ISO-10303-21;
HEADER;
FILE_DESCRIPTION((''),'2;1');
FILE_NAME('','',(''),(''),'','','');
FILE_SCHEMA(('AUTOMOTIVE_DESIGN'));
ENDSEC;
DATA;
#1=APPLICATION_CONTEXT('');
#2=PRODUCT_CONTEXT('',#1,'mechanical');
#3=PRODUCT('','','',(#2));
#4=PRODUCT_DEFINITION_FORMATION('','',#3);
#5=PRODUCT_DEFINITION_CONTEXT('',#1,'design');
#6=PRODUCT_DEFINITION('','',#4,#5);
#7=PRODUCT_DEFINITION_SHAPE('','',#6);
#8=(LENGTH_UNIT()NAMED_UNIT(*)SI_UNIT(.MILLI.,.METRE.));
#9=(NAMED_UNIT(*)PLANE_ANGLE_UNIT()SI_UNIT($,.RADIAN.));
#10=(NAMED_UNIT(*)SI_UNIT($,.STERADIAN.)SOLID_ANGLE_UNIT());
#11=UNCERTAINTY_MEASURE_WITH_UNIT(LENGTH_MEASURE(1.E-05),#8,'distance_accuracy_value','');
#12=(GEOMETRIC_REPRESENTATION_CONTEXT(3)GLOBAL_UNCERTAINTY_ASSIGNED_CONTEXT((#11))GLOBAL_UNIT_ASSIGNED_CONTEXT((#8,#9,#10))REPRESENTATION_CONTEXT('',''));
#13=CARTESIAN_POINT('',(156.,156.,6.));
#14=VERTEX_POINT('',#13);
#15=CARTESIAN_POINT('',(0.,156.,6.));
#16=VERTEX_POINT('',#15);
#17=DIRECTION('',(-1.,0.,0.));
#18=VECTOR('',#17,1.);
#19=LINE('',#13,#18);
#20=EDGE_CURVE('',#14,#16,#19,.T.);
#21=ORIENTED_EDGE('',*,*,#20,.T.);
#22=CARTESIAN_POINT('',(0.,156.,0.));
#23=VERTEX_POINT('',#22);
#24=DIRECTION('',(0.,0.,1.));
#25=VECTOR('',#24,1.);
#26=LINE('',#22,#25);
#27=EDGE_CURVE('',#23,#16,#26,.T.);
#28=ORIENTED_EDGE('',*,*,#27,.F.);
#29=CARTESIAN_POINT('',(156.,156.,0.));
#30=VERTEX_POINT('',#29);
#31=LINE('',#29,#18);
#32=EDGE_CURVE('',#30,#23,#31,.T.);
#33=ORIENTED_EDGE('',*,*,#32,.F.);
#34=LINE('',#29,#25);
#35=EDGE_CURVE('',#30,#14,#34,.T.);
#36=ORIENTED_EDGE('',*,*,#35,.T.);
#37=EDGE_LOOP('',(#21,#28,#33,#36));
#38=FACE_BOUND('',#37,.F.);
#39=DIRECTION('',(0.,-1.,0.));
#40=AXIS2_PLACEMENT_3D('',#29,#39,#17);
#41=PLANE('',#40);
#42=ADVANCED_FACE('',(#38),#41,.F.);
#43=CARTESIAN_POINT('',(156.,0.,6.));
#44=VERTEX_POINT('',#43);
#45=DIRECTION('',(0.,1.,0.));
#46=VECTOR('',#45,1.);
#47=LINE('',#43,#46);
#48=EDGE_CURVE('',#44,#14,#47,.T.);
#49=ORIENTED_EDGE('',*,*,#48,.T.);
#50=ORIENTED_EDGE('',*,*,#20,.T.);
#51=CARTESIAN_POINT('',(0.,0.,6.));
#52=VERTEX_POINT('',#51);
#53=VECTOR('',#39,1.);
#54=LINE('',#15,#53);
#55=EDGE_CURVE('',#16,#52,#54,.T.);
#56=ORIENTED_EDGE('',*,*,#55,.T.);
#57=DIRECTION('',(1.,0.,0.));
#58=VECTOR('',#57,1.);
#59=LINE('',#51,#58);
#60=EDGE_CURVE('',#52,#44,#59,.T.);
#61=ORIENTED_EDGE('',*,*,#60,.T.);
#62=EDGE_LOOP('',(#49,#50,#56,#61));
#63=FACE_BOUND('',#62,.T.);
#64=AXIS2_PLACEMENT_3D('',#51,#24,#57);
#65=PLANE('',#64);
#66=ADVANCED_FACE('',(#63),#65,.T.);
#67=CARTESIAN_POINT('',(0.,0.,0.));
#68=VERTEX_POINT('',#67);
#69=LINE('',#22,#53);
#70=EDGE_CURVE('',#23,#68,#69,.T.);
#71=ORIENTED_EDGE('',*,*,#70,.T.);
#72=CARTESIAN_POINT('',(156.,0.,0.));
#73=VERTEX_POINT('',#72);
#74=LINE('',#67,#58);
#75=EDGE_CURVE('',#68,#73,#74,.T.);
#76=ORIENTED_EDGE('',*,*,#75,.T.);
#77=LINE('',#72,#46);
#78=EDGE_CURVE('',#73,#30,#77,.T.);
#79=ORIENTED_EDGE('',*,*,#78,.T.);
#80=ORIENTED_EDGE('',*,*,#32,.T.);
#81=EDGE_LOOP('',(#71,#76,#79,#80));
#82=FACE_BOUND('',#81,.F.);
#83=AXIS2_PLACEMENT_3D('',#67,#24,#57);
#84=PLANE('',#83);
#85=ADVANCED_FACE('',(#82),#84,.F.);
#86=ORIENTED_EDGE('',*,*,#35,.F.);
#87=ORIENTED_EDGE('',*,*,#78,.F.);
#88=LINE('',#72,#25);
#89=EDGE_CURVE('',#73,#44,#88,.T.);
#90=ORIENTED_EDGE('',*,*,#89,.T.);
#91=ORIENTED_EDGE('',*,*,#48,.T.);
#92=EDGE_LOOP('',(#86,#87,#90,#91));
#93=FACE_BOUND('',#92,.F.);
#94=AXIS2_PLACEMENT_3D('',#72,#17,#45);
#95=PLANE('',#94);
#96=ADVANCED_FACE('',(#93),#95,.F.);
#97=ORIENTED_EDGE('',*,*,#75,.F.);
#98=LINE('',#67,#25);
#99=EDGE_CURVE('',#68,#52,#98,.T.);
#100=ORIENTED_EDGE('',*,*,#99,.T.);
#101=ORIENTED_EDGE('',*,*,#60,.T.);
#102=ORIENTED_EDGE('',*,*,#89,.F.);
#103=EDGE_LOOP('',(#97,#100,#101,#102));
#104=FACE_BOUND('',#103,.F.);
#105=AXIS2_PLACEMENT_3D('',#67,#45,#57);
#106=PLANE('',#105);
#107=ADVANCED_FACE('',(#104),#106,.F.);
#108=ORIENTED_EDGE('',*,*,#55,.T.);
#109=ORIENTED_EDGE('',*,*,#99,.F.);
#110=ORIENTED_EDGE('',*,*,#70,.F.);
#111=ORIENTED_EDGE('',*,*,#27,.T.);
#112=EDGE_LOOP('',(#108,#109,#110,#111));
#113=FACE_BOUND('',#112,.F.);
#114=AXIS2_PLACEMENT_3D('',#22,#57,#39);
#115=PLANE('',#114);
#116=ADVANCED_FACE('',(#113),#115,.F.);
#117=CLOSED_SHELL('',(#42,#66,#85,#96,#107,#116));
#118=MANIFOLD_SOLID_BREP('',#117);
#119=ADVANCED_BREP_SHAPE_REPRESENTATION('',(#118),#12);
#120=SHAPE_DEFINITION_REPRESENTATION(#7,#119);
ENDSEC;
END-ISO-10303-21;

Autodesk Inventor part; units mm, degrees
ref_plane "YZ Plane" through (0, 0, 0) normal (1, 0, 0) x (0, 1, 0)
ref_plane "XZ Plane" through (0, 0, 0) normal (0, 1, 0) x (-1, 0, 0)
ref_plane "XY Plane" through (0, 0, 0) normal (0, 0, 1) x (1, 0, 0)
sketch "Szkic1" plane through (0, 0, 0) normal (0, 0, 1) x (1, 0, 0)
  line L0 (0, 0) -> (156, 0)
  line L1 (156, 0) -> (156, 156)
  line L2 (156, 156) -> (0, 156)
  line L3 (0, 156) -> (0, 0)
  dimension "d0" = 156
  dimension "d1" = 156
extrude "Wyciągnięcie proste1" add sketch "Szkic1" along normal blind 6
properties part number "Sciana_156x156"
